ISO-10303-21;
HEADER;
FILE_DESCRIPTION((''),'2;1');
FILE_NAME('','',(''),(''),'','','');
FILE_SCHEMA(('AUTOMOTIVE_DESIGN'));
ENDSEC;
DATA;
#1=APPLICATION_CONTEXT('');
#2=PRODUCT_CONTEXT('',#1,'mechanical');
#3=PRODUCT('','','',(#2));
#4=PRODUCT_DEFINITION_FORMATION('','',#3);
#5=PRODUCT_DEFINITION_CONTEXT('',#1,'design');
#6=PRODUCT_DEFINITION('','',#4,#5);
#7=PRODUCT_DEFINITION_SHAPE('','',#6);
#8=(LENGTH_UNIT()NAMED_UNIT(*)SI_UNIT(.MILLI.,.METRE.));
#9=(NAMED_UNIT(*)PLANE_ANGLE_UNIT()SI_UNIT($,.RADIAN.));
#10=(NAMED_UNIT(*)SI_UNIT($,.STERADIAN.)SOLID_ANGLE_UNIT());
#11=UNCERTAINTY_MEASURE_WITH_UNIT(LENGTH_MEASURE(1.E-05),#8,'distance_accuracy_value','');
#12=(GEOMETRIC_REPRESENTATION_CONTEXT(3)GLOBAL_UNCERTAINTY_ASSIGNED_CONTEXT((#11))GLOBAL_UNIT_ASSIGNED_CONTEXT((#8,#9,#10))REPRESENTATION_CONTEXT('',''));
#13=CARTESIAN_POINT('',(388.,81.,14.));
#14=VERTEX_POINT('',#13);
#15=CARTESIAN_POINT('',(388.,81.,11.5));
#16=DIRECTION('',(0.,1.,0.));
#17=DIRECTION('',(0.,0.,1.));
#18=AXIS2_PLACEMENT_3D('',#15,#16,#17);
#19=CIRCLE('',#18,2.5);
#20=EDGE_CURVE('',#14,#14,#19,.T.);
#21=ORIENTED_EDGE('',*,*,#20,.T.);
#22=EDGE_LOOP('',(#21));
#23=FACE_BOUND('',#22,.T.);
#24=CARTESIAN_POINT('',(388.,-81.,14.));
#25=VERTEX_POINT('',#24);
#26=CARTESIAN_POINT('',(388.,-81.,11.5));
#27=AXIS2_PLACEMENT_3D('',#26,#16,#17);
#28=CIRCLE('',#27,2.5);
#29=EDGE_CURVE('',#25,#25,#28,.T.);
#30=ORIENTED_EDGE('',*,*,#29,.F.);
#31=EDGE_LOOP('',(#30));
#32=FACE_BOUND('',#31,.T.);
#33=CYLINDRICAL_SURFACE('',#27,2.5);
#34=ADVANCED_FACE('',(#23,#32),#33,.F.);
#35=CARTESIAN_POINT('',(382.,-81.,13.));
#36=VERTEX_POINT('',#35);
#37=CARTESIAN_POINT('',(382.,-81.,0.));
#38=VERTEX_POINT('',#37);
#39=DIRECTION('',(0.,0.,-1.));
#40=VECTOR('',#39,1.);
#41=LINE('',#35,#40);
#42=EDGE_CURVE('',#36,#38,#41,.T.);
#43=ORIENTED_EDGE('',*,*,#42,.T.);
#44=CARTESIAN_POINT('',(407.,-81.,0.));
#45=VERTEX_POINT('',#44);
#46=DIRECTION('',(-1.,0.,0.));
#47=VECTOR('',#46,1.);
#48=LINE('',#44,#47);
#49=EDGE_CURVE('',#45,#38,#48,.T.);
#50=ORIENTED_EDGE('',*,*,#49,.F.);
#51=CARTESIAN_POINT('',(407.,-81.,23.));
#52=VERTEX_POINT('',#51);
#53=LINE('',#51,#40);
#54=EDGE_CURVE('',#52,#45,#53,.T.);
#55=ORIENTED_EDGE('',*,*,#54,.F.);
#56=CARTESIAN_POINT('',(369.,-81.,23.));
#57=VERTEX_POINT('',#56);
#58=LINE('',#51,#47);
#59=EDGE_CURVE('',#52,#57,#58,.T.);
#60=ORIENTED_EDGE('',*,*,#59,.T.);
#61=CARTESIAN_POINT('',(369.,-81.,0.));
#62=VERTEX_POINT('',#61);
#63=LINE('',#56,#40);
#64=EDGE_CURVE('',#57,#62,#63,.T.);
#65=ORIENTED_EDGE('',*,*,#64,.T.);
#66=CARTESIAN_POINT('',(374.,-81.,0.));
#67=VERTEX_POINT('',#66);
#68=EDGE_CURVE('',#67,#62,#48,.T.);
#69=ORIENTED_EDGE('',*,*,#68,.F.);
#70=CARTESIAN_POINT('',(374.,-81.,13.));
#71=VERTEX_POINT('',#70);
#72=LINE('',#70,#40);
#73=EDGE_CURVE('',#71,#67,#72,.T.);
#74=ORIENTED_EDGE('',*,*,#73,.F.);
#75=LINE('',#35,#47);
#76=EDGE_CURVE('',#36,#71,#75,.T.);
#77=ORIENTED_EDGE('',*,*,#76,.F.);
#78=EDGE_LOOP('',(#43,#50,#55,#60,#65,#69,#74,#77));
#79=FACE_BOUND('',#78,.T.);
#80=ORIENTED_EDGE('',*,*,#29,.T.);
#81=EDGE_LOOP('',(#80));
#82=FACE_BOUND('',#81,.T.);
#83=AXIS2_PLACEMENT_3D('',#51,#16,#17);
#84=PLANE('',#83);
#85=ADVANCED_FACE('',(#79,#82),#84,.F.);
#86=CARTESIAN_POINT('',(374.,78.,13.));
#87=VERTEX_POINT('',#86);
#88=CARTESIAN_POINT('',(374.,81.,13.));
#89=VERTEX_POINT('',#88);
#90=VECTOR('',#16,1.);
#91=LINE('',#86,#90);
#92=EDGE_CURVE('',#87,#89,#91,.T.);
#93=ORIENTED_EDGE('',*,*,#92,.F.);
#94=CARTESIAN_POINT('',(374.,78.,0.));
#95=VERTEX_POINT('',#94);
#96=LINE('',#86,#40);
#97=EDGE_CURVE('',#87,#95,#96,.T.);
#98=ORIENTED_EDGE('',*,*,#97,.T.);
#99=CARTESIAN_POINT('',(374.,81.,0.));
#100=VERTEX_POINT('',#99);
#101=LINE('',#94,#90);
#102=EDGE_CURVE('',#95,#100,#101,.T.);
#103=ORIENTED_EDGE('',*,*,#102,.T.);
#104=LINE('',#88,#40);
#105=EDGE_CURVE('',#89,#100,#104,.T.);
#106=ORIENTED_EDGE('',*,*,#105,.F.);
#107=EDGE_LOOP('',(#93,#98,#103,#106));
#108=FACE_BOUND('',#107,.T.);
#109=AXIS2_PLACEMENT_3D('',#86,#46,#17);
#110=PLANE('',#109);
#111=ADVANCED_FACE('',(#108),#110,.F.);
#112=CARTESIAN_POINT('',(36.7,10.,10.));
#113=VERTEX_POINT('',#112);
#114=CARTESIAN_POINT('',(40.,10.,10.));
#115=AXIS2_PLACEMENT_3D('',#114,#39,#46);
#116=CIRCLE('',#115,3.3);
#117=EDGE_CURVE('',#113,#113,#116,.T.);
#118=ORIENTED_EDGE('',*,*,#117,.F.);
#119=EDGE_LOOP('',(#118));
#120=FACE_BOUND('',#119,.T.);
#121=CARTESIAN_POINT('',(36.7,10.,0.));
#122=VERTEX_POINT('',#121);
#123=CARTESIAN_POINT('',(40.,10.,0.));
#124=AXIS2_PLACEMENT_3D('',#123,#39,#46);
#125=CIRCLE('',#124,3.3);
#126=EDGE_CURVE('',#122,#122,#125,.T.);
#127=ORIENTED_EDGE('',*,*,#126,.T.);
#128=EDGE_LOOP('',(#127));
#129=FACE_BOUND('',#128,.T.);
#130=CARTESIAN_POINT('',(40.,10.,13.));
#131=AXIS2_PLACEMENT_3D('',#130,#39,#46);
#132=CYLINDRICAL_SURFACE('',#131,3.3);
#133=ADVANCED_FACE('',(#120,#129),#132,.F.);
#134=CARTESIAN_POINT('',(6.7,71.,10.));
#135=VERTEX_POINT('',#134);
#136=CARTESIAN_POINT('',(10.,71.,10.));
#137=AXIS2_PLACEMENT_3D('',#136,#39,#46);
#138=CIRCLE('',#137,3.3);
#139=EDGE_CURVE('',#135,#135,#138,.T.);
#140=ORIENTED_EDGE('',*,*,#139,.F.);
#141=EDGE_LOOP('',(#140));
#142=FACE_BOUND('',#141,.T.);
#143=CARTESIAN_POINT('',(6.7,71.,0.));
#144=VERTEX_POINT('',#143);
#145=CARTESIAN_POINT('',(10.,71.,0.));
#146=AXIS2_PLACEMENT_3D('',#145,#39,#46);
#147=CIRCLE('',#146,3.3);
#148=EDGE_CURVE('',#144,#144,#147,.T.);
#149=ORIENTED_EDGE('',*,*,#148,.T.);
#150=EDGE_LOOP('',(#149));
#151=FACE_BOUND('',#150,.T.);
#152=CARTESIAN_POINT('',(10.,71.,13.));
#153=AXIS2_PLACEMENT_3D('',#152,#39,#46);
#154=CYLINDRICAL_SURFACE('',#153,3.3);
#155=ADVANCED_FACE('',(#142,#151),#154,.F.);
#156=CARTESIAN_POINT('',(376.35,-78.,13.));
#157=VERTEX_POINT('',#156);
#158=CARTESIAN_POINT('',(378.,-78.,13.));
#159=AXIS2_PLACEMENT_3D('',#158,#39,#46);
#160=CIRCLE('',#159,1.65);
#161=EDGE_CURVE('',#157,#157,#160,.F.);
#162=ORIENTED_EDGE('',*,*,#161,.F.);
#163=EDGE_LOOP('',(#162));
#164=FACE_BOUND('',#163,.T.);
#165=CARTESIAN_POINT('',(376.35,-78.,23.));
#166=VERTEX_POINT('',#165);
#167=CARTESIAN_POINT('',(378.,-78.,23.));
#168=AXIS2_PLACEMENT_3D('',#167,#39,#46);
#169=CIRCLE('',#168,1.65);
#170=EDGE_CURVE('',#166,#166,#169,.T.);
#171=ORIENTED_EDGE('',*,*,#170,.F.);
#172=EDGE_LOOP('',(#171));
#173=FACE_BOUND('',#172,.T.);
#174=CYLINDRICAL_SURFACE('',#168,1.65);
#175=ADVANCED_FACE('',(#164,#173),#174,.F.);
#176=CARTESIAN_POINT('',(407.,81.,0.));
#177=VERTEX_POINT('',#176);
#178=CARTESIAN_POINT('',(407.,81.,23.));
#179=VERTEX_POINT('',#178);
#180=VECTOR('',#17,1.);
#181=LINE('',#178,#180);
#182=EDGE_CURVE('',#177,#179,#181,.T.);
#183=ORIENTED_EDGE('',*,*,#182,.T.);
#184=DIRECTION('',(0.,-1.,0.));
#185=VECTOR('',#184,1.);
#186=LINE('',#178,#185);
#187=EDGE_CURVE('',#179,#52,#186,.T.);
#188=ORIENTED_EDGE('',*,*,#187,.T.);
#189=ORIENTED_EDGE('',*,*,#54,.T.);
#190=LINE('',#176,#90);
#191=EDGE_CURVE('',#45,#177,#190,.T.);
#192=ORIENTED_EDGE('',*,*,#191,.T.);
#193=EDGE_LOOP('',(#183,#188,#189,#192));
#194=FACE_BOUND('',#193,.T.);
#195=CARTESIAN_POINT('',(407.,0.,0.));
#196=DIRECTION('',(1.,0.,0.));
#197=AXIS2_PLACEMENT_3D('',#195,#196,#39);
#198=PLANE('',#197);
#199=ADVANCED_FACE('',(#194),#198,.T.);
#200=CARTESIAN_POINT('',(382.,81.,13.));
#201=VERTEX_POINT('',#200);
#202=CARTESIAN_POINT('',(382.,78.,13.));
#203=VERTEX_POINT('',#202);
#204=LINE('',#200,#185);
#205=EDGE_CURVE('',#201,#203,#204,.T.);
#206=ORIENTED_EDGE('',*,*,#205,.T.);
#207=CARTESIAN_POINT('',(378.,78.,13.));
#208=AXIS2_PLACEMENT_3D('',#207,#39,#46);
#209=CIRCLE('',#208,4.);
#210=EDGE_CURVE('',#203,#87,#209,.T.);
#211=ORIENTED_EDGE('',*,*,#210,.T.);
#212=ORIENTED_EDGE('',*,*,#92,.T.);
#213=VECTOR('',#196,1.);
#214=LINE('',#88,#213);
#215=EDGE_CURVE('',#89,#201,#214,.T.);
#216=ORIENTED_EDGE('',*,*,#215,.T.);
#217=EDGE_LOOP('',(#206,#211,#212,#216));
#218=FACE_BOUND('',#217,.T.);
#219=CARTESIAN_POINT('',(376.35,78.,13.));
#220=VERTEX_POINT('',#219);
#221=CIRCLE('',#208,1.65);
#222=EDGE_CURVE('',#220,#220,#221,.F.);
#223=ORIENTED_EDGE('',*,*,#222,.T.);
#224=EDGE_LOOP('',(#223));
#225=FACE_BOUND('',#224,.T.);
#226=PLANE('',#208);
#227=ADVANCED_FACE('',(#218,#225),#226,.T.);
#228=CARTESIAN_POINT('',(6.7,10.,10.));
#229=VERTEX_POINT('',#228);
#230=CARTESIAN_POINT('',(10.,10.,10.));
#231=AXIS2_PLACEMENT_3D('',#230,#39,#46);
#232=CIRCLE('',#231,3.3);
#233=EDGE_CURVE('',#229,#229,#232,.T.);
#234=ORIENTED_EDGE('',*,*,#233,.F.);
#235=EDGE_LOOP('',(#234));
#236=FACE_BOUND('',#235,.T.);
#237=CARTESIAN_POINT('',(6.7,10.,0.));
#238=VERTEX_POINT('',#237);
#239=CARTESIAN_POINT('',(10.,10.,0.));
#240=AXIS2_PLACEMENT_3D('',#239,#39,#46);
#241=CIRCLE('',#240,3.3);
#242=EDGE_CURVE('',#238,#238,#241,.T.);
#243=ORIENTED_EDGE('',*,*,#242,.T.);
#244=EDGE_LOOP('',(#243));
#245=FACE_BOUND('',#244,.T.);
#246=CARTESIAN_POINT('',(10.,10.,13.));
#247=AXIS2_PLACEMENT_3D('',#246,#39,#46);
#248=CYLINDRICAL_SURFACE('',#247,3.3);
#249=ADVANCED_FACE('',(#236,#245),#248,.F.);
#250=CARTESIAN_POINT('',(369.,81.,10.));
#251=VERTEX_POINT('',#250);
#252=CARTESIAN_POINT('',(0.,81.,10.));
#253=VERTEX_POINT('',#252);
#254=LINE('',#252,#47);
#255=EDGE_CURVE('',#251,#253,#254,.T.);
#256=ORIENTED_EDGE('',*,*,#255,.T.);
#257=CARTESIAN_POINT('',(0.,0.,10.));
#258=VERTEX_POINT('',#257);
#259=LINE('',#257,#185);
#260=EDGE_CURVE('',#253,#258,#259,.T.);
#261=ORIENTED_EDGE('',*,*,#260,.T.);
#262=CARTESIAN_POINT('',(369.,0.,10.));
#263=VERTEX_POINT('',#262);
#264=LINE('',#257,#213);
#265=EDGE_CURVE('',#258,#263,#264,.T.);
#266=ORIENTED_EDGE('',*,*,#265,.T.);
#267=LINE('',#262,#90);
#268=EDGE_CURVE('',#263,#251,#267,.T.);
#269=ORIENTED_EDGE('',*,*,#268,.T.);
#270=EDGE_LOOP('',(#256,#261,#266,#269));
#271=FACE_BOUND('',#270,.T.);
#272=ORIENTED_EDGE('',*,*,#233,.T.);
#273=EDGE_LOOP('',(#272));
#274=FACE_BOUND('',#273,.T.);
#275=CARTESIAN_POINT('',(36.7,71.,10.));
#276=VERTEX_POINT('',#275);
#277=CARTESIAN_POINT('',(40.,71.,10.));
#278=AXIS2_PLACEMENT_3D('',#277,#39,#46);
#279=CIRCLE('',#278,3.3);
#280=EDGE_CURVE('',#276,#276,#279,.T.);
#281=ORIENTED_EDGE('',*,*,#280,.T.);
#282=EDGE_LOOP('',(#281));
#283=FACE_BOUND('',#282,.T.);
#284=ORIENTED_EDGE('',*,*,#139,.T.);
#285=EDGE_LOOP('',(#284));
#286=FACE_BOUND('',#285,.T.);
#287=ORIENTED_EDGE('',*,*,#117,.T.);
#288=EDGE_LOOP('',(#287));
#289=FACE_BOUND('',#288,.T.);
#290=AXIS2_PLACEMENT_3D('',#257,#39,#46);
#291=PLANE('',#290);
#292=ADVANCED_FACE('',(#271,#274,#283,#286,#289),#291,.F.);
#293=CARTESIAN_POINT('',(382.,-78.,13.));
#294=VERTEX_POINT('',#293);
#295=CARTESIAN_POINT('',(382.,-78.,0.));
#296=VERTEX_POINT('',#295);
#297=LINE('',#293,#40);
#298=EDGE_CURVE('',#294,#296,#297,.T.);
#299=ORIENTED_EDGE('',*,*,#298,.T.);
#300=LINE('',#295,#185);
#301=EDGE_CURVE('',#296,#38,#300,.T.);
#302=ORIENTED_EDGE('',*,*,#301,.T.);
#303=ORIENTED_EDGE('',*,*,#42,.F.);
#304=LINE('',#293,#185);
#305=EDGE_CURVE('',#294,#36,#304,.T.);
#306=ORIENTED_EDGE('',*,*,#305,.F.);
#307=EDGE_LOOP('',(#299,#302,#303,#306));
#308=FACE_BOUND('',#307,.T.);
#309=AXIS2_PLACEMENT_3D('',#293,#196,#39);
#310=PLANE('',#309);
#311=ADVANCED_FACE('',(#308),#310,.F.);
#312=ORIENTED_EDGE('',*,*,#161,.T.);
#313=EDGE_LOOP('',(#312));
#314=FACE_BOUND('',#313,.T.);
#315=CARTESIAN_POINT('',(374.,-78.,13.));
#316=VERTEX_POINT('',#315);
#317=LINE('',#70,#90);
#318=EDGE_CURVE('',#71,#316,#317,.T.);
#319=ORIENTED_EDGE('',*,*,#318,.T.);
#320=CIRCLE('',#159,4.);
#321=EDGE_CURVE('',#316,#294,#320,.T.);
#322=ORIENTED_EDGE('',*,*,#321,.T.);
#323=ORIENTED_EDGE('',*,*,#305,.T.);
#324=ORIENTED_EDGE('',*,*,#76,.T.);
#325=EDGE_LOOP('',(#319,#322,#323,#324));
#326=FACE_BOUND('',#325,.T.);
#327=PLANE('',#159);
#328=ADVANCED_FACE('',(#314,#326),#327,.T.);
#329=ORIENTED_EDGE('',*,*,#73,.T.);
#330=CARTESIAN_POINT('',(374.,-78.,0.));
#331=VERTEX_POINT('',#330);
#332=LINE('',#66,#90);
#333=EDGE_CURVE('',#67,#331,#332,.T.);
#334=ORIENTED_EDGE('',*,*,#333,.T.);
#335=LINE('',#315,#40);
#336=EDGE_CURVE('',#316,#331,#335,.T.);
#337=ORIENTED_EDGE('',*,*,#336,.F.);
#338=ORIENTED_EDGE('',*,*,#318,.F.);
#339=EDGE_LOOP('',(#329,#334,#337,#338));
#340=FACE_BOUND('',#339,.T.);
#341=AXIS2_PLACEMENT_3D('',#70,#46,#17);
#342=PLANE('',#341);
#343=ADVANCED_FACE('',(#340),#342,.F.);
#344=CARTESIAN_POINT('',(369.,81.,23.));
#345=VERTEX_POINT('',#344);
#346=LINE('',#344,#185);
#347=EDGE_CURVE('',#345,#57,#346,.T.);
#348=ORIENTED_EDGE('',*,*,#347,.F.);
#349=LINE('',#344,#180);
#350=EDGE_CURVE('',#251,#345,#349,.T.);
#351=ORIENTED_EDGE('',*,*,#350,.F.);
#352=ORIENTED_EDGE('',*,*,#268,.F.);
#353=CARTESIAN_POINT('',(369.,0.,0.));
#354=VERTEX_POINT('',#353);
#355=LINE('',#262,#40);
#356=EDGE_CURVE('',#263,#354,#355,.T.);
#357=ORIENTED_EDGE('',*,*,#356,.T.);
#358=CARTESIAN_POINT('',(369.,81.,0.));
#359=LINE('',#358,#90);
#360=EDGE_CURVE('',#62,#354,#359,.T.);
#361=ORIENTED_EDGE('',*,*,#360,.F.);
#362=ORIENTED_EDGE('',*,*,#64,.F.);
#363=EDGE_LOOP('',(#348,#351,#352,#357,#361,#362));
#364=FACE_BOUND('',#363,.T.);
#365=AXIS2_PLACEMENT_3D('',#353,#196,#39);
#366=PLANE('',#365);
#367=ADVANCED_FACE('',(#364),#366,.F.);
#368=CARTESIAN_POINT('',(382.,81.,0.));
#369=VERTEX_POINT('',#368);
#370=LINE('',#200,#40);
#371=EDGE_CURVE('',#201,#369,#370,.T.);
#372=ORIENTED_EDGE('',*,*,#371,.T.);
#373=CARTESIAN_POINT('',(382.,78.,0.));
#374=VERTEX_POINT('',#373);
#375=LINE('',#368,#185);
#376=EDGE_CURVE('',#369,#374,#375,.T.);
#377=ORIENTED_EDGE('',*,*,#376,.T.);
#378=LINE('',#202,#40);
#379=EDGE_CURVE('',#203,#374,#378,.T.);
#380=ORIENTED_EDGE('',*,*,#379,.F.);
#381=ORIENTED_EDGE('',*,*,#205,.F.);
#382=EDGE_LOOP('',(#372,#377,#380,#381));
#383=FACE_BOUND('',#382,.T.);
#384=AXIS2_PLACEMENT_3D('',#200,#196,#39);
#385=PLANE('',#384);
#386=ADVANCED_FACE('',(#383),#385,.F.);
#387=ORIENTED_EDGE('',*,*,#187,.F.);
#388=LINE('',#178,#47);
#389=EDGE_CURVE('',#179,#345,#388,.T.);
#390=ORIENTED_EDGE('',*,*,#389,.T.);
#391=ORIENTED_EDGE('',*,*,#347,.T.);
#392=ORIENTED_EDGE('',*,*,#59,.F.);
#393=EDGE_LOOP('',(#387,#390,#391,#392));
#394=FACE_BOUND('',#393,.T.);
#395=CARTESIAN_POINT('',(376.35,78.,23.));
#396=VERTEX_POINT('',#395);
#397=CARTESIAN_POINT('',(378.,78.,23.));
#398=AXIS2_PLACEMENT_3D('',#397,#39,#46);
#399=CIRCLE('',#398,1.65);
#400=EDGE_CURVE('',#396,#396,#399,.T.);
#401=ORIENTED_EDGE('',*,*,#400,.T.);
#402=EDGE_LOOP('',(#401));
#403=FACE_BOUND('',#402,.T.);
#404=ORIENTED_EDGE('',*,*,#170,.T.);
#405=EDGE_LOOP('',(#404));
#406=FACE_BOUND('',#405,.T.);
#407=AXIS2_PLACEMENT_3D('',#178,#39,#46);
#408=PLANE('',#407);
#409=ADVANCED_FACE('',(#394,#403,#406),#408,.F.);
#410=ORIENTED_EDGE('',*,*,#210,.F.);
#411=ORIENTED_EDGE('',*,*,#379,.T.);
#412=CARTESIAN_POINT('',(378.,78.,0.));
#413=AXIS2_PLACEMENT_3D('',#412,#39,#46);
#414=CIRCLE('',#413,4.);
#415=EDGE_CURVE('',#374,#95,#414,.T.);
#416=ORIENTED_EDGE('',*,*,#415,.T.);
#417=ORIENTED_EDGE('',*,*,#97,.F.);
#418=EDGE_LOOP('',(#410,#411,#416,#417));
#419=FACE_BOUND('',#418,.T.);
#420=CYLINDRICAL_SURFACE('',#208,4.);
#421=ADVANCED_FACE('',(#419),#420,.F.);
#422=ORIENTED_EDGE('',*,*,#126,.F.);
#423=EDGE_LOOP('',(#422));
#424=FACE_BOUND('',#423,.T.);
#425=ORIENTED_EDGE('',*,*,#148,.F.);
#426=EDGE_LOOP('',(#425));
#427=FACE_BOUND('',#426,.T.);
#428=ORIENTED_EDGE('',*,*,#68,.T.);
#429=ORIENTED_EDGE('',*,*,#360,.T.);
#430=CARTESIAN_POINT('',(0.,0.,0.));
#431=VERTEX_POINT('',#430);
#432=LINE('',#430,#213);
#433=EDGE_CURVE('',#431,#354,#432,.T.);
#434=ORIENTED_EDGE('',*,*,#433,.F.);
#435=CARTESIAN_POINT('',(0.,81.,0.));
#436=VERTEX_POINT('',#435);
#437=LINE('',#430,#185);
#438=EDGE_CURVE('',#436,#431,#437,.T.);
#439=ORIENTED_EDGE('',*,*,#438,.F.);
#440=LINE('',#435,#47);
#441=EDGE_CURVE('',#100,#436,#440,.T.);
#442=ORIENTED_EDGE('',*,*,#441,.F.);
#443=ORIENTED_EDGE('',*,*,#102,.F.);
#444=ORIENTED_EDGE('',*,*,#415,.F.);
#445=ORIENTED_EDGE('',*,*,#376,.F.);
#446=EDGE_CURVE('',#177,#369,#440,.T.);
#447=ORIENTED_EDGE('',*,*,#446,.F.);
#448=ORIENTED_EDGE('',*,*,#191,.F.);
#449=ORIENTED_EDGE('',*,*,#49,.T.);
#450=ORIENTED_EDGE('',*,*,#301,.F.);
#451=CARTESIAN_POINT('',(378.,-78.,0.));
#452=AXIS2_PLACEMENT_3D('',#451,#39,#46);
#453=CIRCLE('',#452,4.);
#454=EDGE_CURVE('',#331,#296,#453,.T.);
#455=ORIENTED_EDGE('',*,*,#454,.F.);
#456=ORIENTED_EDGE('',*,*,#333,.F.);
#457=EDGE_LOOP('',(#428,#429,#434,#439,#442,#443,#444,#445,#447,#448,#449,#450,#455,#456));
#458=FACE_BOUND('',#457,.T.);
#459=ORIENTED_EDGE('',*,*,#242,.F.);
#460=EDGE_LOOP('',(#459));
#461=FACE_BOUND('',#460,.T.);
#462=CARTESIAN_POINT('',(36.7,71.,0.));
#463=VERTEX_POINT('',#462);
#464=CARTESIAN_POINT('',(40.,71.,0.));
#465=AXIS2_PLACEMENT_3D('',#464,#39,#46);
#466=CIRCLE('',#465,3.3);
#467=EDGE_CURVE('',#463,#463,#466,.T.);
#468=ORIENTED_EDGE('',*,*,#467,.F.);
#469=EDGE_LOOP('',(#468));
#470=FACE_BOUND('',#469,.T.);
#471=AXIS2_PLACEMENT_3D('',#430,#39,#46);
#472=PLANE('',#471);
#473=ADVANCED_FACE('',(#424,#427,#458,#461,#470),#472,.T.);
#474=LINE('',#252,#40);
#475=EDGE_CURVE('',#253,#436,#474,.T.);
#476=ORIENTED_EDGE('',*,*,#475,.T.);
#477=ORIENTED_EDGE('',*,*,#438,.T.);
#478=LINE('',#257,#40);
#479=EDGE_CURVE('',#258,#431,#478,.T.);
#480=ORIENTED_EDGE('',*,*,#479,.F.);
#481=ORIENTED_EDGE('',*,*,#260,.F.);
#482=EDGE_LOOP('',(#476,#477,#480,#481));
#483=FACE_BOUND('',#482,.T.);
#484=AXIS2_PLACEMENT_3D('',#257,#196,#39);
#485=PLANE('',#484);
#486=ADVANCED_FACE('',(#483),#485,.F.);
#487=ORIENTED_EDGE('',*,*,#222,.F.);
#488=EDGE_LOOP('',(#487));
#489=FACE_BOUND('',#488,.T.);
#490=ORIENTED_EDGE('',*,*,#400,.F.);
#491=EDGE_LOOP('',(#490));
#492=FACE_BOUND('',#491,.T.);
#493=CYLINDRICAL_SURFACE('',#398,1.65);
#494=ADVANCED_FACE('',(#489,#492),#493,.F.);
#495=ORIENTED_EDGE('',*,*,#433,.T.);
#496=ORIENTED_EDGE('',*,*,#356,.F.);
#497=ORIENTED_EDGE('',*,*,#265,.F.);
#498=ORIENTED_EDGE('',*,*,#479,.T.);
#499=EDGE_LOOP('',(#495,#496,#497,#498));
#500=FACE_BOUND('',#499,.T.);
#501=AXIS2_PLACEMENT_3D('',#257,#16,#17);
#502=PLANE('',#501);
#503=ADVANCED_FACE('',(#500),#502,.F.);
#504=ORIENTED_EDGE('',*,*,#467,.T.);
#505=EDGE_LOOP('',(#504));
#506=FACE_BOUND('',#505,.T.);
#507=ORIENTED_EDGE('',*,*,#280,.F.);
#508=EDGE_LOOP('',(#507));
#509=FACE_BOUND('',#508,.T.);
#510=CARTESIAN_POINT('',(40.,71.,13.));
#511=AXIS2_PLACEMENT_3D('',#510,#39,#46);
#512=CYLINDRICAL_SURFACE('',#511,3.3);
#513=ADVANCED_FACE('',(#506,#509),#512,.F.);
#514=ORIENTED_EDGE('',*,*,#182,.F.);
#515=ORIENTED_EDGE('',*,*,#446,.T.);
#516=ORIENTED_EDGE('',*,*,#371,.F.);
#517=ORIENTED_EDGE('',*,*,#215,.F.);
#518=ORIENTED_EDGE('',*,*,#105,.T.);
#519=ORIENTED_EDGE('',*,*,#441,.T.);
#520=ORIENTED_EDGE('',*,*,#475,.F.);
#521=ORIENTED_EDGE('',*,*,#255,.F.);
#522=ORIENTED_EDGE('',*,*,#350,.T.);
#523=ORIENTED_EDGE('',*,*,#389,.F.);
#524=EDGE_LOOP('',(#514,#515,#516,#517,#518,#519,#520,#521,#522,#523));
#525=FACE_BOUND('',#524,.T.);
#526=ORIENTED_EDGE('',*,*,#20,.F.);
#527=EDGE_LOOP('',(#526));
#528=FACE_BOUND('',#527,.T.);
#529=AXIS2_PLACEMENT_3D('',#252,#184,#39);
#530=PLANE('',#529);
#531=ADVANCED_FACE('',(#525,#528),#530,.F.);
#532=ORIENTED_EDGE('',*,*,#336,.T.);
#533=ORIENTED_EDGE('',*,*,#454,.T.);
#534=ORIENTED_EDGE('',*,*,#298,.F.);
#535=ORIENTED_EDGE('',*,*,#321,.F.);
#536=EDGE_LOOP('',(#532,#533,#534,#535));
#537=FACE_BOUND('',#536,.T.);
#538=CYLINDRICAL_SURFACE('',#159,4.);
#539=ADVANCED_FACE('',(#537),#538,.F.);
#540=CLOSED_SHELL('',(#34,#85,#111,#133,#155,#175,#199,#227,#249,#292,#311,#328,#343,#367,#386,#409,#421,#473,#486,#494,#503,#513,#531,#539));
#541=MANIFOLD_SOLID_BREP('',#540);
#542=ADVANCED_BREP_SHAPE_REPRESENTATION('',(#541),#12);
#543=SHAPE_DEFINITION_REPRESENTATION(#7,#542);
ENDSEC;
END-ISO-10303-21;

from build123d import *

# Parameters (mm, degrees)
SKETCH1_W           = 369
SKETCH1_H           = 81
BOSS_EXTRUDE1_DEPTH = 10
SKETCH2_W           = 23
SKETCH2_H           = 162
BOSS_EXTRUDE2_DEPTH = 38
SKETCH3_R           = 3.3
CUT_EXTRUDE1_DEPTH  = 13
SKETCH4_R           = 2.5
CUT_EXTRUDE2_DEPTH  = 163
SKETCH5_R           = 1.65
CUT_EXTRUDE3_DEPTH  = 24
CUT_EXTRUDE4_DEPTH  = 13


with BuildPart() as part:
    # Sketch1 → Boss-Extrude1 (new body)
    with BuildSketch(Plane.XY):
        with Locations((184.5, 40.5)):
            Rectangle(SKETCH1_W, SKETCH1_H)
    extrude(amount=BOSS_EXTRUDE1_DEPTH)

    # Sketch2 → Boss-Extrude2 (add)
    with BuildSketch(Plane(origin=(369, 0, 0), x_dir=(0, 0, -1), z_dir=(1, 0, 0))):
        with Locations((-11.5, 0)):
            Rectangle(SKETCH2_W, SKETCH2_H)
    extrude(amount=BOSS_EXTRUDE2_DEPTH)

    # Sketch3 → Cut-Extrude1 (cut)
    with BuildSketch(Plane(origin=(0, 0, 0), x_dir=(-1, 0, 0), z_dir=(0, 0, -1))):
        with Locations((-10, 71)):
            Circle(SKETCH3_R)
        with Locations((-10, 10)):
            Circle(SKETCH3_R)
        with Locations((-40, 10)):
            Circle(SKETCH3_R)
        with Locations((-40, 71)):
            Circle(SKETCH3_R)
    extrude(amount=-CUT_EXTRUDE1_DEPTH, mode=Mode.SUBTRACT)

    # Sketch4 → Cut-Extrude2 (cut, through all)
    with BuildSketch(Plane(origin=(0, 81, 0), x_dir=(1, 0, 0), z_dir=(0, 1, 0))):
        with Locations((388, -11.5)):
            Circle(SKETCH4_R)
    extrude(amount=-CUT_EXTRUDE2_DEPTH, mode=Mode.SUBTRACT)

    # Sketch5 → Cut-Extrude3 (cut, through all)
    with BuildSketch(Plane(origin=(0, 0, 0), x_dir=(-1, 0, 0), z_dir=(0, 0, -1))):
        with Locations((-378, -78)):
            Circle(SKETCH5_R)
        with Locations((-378, 78)):
            Circle(SKETCH5_R)
    extrude(amount=-CUT_EXTRUDE3_DEPTH, mode=Mode.SUBTRACT)

    # Sketch6 → Cut-Extrude4 (cut)
    with BuildSketch(Plane(origin=(0, 0, 0), x_dir=(-1, 0, 0), z_dir=(0, 0, -1))):
        with BuildLine():
            Line((-382, -78), (-382, -81))
            Line((-382, -81), (-374, -81))
            Line((-374, -81), (-374, -78))
            ThreePointArc((-374, -78), (-378, -74), (-382, -78))
        make_face()
        with BuildLine():
            Line((-374, 78), (-374, 81))
            Line((-374, 81), (-382, 81))
            Line((-382, 81), (-382, 78))
            ThreePointArc((-382, 78), (-378, 74), (-374, 78))
        make_face()
    extrude(amount=-CUT_EXTRUDE4_DEPTH, mode=Mode.SUBTRACT)


solid = part.part
